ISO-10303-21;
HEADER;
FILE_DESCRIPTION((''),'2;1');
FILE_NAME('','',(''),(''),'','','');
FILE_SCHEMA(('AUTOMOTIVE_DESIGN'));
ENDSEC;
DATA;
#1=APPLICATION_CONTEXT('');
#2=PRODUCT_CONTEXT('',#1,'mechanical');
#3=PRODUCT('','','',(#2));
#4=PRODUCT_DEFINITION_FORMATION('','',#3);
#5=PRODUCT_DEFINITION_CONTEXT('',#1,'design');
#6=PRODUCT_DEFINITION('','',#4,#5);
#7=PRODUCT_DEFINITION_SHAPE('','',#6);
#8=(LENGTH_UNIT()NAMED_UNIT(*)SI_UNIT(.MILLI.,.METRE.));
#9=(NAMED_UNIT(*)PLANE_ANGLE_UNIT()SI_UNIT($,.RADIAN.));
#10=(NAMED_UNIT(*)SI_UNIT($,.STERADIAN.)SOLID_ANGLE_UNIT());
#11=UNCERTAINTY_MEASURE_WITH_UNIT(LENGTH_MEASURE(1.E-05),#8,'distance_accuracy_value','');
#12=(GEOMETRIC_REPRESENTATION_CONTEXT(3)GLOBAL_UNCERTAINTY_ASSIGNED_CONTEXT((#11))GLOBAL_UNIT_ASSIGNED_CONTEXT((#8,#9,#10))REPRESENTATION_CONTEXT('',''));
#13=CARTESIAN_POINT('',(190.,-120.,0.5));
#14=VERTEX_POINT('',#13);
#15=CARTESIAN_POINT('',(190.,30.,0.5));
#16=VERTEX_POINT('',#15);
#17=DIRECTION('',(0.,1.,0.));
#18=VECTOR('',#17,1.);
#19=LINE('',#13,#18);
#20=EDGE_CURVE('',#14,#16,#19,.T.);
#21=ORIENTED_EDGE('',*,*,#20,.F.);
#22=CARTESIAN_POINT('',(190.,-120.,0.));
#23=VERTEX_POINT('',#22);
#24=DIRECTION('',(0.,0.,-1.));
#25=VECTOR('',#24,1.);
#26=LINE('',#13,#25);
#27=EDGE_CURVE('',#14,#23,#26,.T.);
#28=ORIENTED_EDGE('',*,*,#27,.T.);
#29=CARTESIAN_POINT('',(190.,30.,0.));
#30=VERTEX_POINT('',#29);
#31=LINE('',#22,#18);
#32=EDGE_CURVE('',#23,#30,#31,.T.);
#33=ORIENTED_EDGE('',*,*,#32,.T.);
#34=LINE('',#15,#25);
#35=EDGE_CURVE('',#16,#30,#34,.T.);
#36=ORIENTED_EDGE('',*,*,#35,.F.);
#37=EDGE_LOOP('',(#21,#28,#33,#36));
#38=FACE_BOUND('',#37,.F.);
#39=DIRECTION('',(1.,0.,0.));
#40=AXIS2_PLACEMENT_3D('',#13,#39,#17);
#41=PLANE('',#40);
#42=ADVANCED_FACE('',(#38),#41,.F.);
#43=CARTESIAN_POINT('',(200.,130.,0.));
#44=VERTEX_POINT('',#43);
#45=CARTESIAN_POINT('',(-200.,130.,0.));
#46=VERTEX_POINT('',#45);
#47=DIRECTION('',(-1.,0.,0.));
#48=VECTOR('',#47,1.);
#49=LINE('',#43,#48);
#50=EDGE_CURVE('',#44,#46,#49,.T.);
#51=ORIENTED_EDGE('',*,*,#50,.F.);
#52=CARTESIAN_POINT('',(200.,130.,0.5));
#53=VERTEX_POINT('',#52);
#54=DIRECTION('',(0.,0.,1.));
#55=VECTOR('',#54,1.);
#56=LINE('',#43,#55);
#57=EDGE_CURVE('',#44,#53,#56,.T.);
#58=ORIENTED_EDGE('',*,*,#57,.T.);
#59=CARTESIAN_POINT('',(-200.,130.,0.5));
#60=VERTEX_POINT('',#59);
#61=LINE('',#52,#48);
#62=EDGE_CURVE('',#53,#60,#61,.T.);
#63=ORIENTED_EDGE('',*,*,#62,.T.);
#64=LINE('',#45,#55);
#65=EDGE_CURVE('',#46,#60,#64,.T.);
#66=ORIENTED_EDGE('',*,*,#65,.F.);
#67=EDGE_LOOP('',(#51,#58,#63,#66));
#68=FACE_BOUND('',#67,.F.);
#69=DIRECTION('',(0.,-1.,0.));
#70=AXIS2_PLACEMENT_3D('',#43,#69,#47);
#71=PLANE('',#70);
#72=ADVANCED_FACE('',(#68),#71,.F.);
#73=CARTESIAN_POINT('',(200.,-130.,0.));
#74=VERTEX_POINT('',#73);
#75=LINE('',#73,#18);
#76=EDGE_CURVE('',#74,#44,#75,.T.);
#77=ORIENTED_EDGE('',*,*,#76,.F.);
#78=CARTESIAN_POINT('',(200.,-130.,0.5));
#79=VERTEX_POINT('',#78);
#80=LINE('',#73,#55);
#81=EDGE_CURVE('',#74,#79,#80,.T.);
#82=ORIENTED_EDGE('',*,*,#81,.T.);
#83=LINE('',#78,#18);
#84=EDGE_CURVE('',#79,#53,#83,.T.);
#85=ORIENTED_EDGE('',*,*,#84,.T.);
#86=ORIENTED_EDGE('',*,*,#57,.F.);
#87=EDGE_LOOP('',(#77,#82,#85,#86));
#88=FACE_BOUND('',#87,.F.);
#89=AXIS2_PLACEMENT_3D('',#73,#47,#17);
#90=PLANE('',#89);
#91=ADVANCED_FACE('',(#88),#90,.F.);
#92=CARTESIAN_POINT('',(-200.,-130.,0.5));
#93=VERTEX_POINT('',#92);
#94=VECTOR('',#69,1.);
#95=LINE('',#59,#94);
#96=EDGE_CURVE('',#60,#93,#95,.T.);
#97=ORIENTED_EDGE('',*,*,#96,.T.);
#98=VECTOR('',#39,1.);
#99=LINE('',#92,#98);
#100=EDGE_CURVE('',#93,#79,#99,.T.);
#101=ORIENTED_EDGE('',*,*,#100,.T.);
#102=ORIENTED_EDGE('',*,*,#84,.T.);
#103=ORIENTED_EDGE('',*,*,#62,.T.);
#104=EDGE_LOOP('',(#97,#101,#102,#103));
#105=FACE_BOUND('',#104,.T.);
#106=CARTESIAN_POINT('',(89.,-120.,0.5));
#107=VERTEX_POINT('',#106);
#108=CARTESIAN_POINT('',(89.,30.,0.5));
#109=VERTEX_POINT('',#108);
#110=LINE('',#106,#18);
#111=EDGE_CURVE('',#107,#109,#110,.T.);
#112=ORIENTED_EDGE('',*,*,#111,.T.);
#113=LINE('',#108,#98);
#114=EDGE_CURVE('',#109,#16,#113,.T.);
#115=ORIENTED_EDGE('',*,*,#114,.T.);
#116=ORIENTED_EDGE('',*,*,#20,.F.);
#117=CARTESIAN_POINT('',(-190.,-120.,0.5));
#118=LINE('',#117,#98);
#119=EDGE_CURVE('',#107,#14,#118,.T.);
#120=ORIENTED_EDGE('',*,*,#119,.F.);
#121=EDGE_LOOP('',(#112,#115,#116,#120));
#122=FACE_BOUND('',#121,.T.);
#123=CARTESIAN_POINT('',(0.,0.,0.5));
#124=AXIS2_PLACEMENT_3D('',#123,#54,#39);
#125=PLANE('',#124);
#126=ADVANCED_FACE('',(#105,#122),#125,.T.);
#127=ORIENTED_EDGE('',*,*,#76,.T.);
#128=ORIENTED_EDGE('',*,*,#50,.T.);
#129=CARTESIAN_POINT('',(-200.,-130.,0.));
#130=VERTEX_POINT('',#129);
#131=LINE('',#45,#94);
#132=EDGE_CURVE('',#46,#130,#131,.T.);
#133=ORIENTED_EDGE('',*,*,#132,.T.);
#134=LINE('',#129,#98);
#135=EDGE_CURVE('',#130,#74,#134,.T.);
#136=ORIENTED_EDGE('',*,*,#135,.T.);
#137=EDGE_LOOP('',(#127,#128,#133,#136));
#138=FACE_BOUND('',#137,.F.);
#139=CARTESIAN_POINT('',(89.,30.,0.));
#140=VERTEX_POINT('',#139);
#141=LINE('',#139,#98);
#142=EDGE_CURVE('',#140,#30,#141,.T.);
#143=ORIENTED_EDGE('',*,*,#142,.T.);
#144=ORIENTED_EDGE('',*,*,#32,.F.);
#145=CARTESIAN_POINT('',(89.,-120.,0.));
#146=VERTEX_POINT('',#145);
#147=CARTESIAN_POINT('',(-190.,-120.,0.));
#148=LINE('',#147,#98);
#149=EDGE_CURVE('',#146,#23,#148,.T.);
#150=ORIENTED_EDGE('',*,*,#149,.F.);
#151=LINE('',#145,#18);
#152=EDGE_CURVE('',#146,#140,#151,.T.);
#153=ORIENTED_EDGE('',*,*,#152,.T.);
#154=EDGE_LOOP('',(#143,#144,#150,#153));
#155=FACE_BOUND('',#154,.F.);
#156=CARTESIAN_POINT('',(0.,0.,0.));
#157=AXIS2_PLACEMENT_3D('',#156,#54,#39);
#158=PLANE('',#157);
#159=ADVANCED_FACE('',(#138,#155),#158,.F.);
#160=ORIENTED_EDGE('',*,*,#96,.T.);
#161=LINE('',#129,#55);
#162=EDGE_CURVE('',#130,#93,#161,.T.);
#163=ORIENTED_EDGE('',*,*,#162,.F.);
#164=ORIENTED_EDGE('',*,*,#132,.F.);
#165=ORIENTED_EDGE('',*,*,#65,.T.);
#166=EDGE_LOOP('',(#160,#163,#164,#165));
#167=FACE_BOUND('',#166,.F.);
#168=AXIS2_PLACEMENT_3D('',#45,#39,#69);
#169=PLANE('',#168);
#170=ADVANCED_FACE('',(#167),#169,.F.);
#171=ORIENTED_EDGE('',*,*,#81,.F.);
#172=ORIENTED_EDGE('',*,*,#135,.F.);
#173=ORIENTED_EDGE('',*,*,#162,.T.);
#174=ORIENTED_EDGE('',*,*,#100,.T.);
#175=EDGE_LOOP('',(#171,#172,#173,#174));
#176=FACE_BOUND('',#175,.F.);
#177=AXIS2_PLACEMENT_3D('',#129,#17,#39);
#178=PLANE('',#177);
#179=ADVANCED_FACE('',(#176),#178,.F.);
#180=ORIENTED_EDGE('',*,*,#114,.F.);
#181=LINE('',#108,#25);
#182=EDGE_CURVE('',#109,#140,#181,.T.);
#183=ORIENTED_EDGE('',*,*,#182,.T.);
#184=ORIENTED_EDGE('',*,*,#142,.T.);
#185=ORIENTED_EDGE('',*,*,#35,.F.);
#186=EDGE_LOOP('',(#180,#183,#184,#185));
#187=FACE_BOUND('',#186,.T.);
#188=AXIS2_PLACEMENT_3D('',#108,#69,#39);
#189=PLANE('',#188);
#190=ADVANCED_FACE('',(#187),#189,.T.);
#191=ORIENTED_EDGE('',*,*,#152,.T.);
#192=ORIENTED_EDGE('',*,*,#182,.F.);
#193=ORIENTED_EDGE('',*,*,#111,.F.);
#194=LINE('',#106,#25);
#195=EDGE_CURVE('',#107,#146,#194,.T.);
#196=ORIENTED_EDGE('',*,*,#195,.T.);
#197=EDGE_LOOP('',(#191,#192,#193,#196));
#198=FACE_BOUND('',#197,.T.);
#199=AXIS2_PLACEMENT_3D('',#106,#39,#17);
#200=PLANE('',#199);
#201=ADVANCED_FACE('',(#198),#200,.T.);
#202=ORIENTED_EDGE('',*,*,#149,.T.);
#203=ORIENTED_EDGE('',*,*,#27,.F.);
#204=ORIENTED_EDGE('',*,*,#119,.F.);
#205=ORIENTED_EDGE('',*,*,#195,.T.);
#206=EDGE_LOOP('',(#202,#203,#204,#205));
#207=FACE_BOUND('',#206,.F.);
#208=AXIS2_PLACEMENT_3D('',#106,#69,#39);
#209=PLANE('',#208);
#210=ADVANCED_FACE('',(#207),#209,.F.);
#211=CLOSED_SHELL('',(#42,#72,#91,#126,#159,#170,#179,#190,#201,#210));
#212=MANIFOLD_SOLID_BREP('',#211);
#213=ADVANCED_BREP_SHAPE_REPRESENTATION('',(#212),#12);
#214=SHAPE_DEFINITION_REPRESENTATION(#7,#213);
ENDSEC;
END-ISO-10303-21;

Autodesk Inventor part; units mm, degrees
ref_plane "YZ Plane" through (0, 0, 0) normal (1, 0, 0) x (0, 1, 0)
ref_plane "XZ Plane" through (0, 0, 0) normal (0, 1, 0) x (-1, 0, 0)
ref_plane "XY Plane" through (0, 0, 0) normal (0, 0, 1) x (1, 0, 0)
sketch "Sketch1" plane through (0, 0, 0) normal (0, 0, 1) x (1, 0, 0)
  line L0 (-200, -130) -> (200, -130)
  line L1 (200, -130) -> (200, 130)
  line L2 (200, 130) -> (-200, 130)
  line L3 (-200, 130) -> (-200, -130)
  line L4 (-200, -130) -> (200, 130) construction
  line L5 (200, -130) -> (-200, 130) construction
  point P0 (0, 0)
  dimension "d0" = 400
  dimension "d1" = 260
extrude "Plate1" add sketch "Sketch1" along normal blind 0.5
sketch "Sketch2" plane through (0, 0, 0.5) normal (0, 0, 1) x (1, 0, 0)
  line L0 (-190, -120) -> (190, -120)
  line L1 (190, -120) -> (190, 120)
  line L2 (190, 120) -> (-190, 120)
  line L3 (-190, 120) -> (-190, -120)
  line L4 (-190, -120) -> (190, 120) construction
  line L5 (190, -120) -> (-190, 120) construction
  line L6 (-190, -120) -> (54, -120)
  line L7 (54, -120) -> (54, 124)
  line L8 (54, 124) -> (-190, 124)
  line L9 (-190, 124) -> (-190, -120)
  line L10 (190, -120) -> (89, -120)
  line L11 (89, -120) -> (89, 30)
  line L12 (89, 30) -> (190, 30)
  line L13 (190, 30) -> (190, -120)
  point P0 (0, 0)
  dimension "d3" = 380
  dimension "d4" = 240
  dimension "d5" = 244
  dimension "d6" = 244
  dimension "d7" = 101
  dimension "d8" = 150
extrude "Cut1" cut sketch "Sketch2" against normal blind 0.5 contours L11 L12 L1 L0
sketch "Sketch3" plane through (0, 0, 0.5) normal (0, 0, 1) x (1, 0, 0)
  line L0 (-200, 130) -> (200, 130) projected
  point P0 (0, 0)
  dimension "d11" = 400
sketch "Sketch4" plane through (0, 0, 0.5) normal (0, 0, 1) x (1, 0, 0)
  point P0 (0, 0)
equation "\"d9\" = Thickness"
equation "\"BendRadius\" = Thickness"
equation "\"BendReliefWidth\" = Thickness"
equation "\"BendReliefDepth\" = 0.5 * Thickness"
equation "\"CornerReliefSize\" = 4 * Thickness"
equation "\"MinimumRemnant\" = 2 * Thickness"
equation "\"TransitionRadius\" = BendRadius"
equation "\"JacobiRadiusSize\" = BendRadius"
equation "\"GapSize\" = Thickness"
equation "\"d2\" = BendRadius"
equation "\"Thickness\" = 0.5"
properties part number "frontPanel"
